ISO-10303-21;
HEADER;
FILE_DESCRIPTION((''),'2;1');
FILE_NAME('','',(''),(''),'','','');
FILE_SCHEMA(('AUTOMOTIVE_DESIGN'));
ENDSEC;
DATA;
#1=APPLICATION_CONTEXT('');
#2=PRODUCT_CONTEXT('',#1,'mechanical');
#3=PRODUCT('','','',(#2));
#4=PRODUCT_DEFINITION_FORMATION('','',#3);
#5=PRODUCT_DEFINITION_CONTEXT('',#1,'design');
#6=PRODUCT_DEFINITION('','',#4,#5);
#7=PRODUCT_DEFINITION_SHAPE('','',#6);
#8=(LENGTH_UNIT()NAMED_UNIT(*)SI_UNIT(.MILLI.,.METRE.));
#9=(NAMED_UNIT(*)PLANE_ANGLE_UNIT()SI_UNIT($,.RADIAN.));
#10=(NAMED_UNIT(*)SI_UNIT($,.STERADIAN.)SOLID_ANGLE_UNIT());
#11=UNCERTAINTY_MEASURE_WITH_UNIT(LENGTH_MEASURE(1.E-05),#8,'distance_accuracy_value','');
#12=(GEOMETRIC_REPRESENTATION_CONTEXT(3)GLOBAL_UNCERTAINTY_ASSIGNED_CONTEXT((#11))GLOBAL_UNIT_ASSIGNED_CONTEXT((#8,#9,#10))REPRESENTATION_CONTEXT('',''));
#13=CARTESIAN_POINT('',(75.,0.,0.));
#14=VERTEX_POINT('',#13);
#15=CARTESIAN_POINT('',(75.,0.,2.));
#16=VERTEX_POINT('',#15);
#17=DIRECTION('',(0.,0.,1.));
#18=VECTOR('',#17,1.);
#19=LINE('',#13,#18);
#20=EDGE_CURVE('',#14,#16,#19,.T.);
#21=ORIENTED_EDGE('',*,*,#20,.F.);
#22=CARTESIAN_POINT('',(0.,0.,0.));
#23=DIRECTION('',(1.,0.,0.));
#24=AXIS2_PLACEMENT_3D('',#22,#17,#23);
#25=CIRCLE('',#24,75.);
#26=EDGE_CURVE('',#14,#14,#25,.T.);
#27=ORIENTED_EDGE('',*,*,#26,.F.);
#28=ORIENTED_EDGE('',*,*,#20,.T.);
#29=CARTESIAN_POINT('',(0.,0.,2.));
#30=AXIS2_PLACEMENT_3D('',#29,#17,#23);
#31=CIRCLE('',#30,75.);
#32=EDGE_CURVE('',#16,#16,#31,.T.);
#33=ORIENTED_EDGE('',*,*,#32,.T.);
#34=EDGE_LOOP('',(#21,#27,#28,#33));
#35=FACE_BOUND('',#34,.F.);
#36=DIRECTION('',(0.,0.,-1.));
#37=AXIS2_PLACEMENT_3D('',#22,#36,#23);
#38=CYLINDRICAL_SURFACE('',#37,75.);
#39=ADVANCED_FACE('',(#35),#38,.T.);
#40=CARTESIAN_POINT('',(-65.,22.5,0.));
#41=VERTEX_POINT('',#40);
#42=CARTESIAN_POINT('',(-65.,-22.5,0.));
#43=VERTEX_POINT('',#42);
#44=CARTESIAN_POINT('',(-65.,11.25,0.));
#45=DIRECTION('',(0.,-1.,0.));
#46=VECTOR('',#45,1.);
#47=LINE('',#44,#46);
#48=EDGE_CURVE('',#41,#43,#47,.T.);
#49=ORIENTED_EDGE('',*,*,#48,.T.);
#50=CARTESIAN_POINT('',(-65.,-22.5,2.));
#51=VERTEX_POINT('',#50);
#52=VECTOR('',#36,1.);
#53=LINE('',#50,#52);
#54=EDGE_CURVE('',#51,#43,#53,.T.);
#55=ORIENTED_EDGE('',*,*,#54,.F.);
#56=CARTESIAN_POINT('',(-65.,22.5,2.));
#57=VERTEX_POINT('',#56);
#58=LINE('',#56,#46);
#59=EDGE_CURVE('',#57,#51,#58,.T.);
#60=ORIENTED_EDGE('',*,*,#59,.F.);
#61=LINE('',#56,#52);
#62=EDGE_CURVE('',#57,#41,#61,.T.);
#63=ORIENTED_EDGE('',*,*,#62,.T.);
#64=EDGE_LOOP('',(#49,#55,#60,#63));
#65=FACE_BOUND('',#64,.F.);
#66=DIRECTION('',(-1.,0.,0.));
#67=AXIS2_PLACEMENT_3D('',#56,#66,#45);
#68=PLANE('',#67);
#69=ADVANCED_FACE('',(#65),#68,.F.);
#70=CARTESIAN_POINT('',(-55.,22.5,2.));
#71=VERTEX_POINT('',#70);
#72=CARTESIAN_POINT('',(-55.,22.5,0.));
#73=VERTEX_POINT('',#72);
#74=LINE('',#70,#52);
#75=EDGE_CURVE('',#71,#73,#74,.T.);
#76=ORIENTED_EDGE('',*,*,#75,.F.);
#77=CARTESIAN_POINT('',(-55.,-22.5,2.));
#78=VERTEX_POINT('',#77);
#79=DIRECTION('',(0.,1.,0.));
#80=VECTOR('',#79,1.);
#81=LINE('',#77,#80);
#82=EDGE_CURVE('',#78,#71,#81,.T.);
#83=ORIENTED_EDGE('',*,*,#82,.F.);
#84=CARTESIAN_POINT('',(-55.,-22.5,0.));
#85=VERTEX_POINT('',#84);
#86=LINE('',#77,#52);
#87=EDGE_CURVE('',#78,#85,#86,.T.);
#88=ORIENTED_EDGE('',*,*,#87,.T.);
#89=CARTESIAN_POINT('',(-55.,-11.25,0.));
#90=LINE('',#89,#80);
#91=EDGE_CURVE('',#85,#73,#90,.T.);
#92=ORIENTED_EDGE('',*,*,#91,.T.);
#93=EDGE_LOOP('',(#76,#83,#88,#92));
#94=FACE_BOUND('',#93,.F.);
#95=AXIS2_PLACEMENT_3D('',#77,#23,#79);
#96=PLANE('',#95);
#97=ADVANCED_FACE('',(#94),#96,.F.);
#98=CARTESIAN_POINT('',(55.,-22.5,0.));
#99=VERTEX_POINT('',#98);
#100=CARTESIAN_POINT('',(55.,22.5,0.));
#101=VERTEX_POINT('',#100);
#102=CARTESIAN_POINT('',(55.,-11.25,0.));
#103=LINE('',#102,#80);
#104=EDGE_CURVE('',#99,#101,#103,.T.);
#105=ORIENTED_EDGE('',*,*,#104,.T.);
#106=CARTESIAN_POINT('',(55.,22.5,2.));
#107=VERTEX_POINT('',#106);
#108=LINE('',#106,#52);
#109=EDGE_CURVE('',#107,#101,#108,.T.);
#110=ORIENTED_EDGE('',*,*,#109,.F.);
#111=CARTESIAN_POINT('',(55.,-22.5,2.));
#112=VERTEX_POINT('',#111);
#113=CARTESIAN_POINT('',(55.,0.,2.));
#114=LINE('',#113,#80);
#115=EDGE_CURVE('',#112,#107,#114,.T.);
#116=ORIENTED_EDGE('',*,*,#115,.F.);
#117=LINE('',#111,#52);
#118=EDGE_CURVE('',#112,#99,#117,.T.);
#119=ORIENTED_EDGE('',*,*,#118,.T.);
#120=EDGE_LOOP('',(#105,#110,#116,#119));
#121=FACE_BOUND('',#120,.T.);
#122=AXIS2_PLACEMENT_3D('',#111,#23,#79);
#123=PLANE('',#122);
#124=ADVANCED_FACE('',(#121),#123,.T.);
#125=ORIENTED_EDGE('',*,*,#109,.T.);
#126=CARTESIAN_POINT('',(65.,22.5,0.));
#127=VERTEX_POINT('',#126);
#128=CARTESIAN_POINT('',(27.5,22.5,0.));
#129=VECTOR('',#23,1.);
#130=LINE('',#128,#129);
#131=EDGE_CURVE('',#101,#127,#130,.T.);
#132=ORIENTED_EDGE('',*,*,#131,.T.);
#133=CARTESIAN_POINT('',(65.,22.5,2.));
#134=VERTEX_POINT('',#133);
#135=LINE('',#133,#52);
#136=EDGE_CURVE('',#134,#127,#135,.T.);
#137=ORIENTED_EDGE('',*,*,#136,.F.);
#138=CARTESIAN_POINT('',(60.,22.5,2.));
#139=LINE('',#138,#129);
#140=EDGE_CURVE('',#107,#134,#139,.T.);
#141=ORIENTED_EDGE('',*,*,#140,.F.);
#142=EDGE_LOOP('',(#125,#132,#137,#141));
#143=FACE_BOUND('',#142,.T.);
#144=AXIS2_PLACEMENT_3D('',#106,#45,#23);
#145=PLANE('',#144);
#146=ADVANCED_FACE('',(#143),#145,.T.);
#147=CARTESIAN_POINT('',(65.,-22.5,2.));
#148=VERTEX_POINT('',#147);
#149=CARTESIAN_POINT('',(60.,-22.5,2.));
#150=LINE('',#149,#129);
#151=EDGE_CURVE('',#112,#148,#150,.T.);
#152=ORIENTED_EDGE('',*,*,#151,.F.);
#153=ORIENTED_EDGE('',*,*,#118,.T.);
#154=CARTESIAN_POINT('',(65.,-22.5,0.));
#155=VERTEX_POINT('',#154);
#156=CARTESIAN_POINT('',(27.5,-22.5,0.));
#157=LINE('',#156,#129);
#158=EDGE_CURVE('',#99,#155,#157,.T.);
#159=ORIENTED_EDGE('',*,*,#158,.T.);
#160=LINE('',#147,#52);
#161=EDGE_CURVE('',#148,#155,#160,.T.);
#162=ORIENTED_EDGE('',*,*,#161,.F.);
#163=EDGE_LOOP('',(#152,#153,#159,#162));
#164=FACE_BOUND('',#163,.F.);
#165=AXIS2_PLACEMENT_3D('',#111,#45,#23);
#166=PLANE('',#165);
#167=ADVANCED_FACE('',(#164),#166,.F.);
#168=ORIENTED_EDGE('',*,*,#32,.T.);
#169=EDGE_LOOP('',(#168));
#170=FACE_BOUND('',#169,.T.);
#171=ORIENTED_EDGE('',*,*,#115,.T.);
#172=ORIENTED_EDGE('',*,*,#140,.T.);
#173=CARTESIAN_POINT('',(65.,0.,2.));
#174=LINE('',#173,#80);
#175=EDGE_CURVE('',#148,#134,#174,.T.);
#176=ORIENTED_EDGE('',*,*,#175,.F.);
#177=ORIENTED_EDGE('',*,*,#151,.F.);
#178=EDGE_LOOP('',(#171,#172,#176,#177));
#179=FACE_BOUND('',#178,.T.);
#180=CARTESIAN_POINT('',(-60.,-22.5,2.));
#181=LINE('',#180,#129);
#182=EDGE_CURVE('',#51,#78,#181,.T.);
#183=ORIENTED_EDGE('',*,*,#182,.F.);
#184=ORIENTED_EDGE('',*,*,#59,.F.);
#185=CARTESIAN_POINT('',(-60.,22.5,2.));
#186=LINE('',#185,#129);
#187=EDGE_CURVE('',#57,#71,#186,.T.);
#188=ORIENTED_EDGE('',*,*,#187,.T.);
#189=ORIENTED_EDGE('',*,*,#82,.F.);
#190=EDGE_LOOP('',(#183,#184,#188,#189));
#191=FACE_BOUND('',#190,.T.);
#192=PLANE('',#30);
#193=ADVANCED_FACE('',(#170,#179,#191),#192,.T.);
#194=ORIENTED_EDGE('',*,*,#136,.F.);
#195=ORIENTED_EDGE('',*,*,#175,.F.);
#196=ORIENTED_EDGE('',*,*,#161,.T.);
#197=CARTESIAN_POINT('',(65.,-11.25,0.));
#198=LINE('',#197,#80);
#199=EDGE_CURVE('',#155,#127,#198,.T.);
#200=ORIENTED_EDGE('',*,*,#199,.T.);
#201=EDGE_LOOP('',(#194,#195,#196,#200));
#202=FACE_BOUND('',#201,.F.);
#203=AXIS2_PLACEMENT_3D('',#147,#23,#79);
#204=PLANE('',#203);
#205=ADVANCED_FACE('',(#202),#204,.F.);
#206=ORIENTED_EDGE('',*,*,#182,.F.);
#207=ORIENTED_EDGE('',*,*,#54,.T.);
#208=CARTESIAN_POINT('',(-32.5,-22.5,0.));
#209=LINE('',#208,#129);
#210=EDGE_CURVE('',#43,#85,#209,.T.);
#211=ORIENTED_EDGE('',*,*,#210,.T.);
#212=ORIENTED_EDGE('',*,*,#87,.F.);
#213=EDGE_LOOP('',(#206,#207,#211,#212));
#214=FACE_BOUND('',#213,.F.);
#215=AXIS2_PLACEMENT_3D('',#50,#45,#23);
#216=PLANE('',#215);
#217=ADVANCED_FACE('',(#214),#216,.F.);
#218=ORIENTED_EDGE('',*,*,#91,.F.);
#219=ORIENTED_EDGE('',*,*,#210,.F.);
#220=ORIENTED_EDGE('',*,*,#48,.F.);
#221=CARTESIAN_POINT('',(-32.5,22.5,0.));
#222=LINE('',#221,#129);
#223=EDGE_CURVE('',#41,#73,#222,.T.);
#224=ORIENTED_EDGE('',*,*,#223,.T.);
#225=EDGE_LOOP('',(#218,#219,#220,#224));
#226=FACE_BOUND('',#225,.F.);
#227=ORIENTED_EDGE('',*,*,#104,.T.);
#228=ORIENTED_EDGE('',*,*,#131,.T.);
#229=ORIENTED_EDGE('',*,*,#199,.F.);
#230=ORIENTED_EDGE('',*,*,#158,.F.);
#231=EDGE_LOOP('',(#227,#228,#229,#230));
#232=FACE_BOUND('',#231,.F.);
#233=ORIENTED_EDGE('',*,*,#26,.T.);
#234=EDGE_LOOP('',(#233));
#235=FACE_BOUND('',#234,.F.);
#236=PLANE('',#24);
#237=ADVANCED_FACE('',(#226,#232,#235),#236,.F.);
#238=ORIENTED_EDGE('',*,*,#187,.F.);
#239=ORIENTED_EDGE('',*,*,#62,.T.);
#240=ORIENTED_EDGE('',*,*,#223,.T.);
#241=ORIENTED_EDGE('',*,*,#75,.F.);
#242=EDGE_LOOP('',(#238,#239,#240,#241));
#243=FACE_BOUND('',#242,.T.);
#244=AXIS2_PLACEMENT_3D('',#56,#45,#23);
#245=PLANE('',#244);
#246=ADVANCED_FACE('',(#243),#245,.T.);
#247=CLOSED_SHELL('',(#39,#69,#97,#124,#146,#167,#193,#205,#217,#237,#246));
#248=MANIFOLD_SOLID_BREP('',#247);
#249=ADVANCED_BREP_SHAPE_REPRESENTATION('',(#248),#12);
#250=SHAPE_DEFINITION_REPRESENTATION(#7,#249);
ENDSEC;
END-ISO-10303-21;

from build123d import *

# Parameters (mm, degrees)
F0_R     = 75
F1_DEPTH = 2
F3_W     = 10
F3_H     = 22.5
F3_H_2   = 45
F4_DEPTH = 25


with BuildPart() as f1:
    # F0 (on Top) → F1 (new body)
    with BuildSketch(Plane.XY):
        Circle(F0_R)
    extrude(amount=F1_DEPTH)

    # F3 (on face) → F4 (cut)
    with BuildSketch(Plane.XY.offset(2)):
        with Locations((-60, -11.25)):
            Rectangle(F3_W, F3_H)
        with Locations((-60, 11.25)):
            Rectangle(F3_W, F3_H)
        with Locations((60, 0)):
            Rectangle(F3_W, F3_H_2)
    extrude(amount=-F4_DEPTH, mode=Mode.SUBTRACT)


solid = f1.part
